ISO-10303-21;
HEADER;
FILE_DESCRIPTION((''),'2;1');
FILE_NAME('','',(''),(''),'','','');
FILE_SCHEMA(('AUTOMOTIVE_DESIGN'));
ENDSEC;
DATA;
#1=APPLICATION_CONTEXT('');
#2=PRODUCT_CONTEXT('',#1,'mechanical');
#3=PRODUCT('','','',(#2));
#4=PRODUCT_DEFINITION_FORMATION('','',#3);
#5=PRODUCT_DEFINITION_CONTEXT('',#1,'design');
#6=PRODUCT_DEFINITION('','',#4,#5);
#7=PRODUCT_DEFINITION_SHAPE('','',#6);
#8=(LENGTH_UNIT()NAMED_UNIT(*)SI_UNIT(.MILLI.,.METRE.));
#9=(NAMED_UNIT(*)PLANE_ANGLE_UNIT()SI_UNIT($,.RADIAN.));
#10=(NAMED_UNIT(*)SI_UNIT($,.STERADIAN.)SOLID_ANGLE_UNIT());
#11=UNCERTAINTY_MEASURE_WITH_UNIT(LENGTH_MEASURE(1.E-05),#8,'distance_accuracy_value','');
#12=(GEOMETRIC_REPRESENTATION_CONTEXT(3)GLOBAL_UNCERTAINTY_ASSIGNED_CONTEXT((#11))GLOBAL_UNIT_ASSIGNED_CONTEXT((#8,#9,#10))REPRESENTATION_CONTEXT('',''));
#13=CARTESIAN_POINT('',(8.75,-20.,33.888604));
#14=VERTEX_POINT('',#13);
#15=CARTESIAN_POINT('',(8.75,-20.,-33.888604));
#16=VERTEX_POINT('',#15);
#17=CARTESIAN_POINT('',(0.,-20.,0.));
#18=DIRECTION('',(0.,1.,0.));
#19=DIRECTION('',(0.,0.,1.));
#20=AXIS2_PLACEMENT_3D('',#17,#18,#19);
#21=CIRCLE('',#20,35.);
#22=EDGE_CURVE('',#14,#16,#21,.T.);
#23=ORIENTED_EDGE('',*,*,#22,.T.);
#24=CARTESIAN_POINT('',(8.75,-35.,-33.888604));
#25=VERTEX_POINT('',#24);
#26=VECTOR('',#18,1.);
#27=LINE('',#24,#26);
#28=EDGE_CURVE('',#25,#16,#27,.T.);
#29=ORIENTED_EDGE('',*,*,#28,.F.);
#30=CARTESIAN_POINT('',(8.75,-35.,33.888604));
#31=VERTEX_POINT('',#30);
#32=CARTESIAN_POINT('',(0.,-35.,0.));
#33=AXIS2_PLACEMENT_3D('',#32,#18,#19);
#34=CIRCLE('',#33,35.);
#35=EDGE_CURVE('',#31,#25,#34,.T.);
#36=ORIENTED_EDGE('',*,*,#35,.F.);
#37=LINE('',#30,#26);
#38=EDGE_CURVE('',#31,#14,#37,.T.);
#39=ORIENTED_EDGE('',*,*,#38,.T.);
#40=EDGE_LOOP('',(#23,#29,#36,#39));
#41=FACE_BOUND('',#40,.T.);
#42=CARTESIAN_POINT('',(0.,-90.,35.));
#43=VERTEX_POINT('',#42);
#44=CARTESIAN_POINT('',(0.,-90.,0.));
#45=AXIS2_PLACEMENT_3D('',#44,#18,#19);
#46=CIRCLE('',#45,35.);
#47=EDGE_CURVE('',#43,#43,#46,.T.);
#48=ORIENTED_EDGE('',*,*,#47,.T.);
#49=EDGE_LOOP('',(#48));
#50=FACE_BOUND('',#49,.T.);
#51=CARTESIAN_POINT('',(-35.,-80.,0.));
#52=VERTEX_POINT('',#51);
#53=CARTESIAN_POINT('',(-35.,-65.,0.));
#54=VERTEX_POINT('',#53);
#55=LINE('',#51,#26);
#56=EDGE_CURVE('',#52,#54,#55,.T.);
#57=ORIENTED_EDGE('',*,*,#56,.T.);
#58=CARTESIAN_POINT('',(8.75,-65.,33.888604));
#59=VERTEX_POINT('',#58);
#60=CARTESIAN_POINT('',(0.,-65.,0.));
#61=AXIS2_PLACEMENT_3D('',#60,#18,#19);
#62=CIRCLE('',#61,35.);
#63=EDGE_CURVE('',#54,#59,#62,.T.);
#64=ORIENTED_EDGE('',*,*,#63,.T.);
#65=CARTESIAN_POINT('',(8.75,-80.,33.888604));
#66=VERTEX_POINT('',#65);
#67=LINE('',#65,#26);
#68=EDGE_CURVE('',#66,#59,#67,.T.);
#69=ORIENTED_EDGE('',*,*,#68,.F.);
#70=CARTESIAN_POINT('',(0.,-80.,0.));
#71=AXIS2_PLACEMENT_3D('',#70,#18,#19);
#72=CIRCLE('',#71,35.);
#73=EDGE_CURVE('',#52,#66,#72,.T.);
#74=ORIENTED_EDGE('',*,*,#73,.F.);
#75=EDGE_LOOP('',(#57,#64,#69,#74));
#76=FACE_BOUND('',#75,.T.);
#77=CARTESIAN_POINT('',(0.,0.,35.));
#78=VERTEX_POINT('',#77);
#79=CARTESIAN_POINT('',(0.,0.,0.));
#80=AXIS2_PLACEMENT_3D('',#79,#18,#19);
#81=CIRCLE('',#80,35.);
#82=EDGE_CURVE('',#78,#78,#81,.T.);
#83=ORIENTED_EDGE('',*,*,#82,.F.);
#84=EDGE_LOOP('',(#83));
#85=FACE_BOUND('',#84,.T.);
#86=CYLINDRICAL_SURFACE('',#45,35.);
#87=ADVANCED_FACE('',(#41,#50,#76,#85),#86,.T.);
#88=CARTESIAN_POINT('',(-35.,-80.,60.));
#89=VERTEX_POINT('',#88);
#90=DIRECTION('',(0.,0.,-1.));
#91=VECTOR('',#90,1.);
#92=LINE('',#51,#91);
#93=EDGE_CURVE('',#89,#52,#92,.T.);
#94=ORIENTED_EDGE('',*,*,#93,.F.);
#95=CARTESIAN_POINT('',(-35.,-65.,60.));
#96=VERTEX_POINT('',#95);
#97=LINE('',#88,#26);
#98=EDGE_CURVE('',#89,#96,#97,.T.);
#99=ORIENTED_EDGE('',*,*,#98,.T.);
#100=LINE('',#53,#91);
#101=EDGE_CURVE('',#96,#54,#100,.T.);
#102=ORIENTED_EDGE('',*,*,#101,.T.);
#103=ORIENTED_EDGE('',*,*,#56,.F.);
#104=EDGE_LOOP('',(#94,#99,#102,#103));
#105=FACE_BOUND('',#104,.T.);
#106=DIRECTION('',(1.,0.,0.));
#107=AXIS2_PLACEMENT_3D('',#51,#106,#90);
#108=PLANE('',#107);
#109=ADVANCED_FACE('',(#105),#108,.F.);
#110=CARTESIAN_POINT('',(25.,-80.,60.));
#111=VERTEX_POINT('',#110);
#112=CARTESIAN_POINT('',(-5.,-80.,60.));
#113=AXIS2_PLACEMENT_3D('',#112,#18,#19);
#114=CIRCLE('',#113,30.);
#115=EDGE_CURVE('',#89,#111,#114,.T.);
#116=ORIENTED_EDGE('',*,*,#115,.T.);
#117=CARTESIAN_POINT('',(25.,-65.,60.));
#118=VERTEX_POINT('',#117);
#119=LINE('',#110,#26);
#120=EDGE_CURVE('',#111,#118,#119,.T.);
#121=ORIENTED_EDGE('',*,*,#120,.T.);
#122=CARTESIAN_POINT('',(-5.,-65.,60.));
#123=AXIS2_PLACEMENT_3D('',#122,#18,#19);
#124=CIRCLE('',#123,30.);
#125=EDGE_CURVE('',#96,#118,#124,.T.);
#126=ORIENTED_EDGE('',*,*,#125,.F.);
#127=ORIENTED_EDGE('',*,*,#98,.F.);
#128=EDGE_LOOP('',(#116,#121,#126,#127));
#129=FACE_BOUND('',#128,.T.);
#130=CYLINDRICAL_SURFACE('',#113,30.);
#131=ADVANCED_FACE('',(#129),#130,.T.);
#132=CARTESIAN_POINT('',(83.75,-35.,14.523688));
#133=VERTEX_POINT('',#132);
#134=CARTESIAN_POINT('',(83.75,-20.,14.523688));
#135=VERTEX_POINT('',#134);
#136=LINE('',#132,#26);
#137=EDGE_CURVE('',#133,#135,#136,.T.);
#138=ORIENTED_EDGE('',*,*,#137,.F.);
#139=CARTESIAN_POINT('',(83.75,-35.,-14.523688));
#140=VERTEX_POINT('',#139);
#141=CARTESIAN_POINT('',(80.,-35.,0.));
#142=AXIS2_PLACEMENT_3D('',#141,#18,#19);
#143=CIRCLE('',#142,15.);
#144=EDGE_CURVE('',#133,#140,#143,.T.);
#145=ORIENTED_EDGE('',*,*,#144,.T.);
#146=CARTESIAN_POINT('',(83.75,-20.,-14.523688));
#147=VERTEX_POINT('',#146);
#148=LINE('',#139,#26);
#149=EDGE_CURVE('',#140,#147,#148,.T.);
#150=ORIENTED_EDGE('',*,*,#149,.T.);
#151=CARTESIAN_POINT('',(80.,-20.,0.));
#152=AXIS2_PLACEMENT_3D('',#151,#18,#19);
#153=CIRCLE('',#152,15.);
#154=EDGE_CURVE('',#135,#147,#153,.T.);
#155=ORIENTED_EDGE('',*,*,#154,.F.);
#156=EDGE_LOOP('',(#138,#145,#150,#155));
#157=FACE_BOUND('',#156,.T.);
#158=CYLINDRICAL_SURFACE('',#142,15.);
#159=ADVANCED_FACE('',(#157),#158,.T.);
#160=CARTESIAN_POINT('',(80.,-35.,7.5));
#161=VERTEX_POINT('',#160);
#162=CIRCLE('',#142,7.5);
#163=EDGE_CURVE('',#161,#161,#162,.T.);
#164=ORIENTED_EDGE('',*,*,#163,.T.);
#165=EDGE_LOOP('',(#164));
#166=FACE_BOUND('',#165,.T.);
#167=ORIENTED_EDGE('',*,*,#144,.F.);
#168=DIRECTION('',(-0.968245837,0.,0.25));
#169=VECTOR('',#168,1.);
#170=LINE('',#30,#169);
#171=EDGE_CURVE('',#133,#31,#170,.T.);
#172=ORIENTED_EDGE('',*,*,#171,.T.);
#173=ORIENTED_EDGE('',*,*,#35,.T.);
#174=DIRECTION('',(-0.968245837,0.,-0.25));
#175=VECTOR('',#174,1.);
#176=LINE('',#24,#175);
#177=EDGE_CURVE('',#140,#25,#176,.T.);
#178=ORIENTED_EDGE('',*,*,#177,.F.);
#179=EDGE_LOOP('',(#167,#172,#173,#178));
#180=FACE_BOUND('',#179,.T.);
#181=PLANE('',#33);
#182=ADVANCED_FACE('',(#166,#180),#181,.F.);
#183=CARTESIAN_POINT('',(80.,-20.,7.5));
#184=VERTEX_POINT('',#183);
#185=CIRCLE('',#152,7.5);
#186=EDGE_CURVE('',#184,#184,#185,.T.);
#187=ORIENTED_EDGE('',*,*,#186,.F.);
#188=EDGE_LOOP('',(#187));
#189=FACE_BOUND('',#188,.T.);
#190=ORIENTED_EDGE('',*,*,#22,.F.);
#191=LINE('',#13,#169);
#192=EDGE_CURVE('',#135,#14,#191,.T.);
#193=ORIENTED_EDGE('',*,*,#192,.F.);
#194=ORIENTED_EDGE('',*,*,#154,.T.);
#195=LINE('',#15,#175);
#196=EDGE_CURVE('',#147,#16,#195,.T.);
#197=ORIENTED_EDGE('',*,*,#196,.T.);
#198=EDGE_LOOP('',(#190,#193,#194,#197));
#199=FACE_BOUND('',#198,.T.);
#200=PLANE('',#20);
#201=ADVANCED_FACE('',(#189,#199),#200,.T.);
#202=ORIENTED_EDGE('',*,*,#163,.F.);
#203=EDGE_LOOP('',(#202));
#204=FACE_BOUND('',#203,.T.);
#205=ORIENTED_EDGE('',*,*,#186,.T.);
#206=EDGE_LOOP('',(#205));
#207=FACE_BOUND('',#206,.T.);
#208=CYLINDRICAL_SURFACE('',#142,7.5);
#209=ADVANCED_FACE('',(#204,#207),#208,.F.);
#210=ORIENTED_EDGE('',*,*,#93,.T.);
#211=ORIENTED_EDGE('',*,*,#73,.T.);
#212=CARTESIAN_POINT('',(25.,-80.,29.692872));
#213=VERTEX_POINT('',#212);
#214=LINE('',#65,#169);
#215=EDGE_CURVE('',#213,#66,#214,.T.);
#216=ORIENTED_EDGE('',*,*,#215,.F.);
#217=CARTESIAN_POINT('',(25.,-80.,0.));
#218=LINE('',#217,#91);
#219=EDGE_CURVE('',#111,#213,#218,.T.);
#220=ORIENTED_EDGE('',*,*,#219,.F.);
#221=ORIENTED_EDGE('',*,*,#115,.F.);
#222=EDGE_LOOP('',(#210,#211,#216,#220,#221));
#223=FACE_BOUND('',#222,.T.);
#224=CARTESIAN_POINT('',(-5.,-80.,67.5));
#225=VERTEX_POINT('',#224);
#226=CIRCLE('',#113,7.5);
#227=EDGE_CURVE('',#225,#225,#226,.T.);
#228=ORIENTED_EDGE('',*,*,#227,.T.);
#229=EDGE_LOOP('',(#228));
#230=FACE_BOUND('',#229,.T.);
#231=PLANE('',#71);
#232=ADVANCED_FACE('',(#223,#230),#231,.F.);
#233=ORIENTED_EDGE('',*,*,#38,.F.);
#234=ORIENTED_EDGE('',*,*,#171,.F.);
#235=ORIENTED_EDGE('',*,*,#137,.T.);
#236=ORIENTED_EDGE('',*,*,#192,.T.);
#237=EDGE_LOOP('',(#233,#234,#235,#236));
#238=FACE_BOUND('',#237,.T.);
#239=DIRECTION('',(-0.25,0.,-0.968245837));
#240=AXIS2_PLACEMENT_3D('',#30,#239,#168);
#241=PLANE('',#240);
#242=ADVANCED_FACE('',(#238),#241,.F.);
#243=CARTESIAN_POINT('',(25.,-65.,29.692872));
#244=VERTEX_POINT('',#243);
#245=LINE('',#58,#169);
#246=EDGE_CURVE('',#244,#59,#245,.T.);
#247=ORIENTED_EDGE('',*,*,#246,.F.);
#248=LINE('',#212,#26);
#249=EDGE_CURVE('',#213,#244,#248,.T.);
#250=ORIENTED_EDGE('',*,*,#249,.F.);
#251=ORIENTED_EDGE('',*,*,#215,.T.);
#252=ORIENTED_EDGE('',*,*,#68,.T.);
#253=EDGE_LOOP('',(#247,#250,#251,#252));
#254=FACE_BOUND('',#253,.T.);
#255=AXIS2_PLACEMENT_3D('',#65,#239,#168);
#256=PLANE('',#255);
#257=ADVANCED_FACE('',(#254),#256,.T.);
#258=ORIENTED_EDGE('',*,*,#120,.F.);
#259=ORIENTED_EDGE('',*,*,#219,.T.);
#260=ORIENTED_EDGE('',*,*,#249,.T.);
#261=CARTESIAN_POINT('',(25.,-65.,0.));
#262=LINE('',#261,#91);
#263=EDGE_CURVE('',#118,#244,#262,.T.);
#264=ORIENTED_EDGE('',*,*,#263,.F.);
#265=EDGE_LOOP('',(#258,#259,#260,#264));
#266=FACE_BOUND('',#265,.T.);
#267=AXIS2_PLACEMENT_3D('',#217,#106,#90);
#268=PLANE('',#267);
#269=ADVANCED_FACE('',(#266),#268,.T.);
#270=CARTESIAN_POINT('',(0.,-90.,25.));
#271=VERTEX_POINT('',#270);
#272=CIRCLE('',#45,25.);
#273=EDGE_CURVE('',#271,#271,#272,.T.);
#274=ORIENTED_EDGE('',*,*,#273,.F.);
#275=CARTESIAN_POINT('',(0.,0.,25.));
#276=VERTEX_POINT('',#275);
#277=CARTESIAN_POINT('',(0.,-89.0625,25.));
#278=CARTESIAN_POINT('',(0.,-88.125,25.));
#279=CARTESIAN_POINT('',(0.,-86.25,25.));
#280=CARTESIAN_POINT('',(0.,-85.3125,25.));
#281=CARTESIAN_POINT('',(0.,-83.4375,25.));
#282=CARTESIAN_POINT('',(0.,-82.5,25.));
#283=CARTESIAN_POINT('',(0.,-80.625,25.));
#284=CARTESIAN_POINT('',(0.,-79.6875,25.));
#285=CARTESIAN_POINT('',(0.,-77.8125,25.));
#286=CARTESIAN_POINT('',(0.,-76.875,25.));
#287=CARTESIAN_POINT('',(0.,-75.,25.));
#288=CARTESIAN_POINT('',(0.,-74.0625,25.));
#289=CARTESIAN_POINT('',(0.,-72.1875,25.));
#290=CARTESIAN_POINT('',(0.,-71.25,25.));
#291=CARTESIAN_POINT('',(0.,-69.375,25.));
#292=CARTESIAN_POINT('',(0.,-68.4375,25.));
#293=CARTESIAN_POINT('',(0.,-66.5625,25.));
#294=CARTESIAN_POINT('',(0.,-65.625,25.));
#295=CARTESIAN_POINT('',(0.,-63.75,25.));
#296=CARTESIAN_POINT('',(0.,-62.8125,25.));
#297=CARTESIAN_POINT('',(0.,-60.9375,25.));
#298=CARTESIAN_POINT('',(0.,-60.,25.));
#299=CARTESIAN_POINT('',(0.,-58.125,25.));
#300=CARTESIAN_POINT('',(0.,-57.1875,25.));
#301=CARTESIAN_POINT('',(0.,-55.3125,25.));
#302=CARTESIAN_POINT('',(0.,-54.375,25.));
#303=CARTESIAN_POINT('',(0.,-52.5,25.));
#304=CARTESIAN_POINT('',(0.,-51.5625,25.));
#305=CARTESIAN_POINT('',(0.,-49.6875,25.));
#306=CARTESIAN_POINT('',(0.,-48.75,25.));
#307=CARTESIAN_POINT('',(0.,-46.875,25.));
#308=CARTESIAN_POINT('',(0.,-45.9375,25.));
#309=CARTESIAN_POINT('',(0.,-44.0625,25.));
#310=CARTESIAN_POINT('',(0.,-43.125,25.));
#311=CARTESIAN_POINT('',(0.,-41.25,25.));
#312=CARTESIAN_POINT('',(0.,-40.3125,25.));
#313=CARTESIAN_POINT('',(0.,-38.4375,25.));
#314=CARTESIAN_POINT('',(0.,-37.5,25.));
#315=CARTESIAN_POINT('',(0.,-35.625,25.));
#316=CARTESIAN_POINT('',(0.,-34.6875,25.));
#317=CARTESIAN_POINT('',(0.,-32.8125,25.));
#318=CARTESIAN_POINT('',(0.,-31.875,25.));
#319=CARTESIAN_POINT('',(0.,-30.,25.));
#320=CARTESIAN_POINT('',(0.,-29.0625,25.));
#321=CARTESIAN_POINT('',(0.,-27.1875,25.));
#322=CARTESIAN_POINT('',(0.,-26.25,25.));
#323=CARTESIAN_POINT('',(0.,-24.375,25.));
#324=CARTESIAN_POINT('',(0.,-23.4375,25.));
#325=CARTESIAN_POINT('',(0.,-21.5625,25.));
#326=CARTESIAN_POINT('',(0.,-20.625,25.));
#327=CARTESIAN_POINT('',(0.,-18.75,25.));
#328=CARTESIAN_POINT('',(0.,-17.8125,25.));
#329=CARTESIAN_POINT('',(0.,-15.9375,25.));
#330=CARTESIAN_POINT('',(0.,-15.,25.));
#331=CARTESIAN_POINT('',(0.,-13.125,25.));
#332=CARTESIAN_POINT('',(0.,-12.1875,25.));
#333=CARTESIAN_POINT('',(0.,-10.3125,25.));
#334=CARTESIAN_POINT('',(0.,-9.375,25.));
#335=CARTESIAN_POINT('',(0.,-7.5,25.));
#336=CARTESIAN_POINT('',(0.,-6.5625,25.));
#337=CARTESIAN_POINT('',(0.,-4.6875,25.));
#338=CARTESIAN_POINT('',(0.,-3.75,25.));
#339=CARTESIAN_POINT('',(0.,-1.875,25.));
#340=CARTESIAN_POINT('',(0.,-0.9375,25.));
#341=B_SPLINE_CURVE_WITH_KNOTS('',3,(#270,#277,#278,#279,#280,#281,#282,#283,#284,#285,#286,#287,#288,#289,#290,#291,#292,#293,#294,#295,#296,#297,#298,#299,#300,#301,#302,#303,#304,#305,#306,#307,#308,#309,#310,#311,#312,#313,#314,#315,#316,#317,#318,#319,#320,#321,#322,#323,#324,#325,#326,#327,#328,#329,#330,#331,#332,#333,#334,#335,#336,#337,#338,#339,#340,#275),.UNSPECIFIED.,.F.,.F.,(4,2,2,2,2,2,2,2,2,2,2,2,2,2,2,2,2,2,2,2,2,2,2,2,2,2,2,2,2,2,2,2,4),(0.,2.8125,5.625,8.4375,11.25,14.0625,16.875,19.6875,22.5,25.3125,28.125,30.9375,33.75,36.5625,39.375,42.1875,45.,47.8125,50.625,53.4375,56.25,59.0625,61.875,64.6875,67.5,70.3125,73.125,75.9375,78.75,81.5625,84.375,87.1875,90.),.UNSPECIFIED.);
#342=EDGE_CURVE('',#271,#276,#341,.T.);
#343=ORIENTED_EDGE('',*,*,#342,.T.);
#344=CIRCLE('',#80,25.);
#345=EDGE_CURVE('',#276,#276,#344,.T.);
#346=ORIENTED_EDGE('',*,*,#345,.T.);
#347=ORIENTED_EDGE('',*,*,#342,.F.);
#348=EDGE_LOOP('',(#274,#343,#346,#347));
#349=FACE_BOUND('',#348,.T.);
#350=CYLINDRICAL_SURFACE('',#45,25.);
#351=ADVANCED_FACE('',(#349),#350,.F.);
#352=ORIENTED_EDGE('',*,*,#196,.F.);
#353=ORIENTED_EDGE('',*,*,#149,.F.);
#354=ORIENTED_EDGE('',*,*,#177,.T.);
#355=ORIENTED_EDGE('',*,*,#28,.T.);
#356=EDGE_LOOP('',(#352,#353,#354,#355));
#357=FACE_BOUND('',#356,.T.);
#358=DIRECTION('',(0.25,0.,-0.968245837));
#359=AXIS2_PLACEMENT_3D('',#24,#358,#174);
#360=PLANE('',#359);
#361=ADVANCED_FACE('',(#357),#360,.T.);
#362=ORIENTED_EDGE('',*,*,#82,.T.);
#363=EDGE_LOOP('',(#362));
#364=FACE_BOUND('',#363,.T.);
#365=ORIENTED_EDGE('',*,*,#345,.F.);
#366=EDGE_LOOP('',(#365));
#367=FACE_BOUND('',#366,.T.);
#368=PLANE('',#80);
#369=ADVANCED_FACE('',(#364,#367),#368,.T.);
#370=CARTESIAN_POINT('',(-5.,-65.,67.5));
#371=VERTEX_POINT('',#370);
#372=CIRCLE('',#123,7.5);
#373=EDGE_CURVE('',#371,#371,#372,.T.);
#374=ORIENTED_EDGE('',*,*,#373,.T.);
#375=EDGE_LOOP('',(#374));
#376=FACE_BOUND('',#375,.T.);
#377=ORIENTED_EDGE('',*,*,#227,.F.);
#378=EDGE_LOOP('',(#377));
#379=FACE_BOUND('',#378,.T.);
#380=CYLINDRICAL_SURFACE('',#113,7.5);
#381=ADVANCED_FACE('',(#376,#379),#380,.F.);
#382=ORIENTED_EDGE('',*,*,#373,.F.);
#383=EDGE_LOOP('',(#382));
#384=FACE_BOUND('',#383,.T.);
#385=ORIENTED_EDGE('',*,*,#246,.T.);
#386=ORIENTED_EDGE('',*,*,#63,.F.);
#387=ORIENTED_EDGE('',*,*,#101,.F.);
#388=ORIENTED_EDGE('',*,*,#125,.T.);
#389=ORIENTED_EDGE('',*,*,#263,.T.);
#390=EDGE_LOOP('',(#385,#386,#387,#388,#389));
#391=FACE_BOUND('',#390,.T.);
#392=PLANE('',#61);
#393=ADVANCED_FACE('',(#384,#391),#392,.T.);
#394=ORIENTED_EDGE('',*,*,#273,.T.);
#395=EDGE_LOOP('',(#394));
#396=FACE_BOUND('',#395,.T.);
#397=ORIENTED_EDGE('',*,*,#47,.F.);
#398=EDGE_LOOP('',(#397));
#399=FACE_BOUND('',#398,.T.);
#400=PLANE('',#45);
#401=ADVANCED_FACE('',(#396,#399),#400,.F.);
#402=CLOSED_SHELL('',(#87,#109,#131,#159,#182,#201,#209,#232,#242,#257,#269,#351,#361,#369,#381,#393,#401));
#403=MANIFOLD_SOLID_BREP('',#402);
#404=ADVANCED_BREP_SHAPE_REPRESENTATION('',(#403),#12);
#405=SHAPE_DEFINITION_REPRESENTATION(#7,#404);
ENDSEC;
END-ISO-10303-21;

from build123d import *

# Parameters (mm, degrees)
SKETCH1_R           = 25
BOSS_EXTRUDE1_DEPTH = 90
BOSS_EXTRUDE2_START = -20
SKETCH1_3_R         = 7.5
BOSS_EXTRUDE2_DEPTH = 15
BOSS_EXTRUDE3_START = -65
SKETCH1_4_R         = 7.5
BOSS_EXTRUDE3_DEPTH = 15


with BuildPart() as part:
    # Sketch1 → Boss-Extrude1 (new body)
    with BuildSketch(Plane(origin=(0, 0, 0), x_dir=(1, 0, 0), z_dir=(0, 1, 0))):
        with BuildLine():
            ThreePointArc((8.75, -33.888604279), (17.516451042, -30.301385165), (25, -24.494897428))
            ThreePointArc((25, -24.494897428), (32.403703492, -13.228756555), (35, 0))
            ThreePointArc((35, 0), (27.669929526, 21.433035249), (8.75, 33.888604279))
            ThreePointArc((8.75, 33.888604279), (-21.433035249, 27.669929526), (-35, 0))
            ThreePointArc((-35, 0), (-21.433035249, -27.669929526), (8.75, -33.888604279))
        make_face()
        Circle(SKETCH1_R, mode=Mode.SUBTRACT)
    extrude(amount=-BOSS_EXTRUDE1_DEPTH)

    # Sketch1<3> → Boss-Extrude2 (add)
    with BuildSketch(Plane(origin=(0, 0, 0), x_dir=(1, 0, 0), z_dir=(0, 1, 0)).offset(BOSS_EXTRUDE2_START)):
        with BuildLine():
            Line((8.75, -33.888604279), (83.75, -14.523687548))
            ThreePointArc((83.75, -14.523687548), (95, 0), (83.75, 14.523687548))
            Line((83.75, 14.523687548), (8.75, 33.888604279))
            ThreePointArc((8.75, 33.888604279), (35, 0), (8.75, -33.888604279))
        make_face()
        with Locations((80, 0)):
            Circle(SKETCH1_3_R, mode=Mode.SUBTRACT)
    extrude(amount=-BOSS_EXTRUDE2_DEPTH)

    # Sketch1<4> → Boss-Extrude3 (add)
    with BuildSketch(Plane(origin=(0, 0, 0), x_dir=(1, 0, 0), z_dir=(0, 1, 0)).offset(BOSS_EXTRUDE3_START)):
        with BuildLine():
            ThreePointArc((-35, -60), (-5, -90), (25, -60))
            Line((25, -60), (25, -29.692872321))
            Line((25, -29.692872321), (8.75, -33.888604279))
            ThreePointArc((8.75, -33.888604279), (-21.433035249, -27.669929526), (-35, 0))
            Line((-35, 0), (-35, -60))
        make_face()
        with Locations((-5, -60)):
            Circle(SKETCH1_4_R, mode=Mode.SUBTRACT)
    extrude(amount=-BOSS_EXTRUDE3_DEPTH)


solid = part.part
